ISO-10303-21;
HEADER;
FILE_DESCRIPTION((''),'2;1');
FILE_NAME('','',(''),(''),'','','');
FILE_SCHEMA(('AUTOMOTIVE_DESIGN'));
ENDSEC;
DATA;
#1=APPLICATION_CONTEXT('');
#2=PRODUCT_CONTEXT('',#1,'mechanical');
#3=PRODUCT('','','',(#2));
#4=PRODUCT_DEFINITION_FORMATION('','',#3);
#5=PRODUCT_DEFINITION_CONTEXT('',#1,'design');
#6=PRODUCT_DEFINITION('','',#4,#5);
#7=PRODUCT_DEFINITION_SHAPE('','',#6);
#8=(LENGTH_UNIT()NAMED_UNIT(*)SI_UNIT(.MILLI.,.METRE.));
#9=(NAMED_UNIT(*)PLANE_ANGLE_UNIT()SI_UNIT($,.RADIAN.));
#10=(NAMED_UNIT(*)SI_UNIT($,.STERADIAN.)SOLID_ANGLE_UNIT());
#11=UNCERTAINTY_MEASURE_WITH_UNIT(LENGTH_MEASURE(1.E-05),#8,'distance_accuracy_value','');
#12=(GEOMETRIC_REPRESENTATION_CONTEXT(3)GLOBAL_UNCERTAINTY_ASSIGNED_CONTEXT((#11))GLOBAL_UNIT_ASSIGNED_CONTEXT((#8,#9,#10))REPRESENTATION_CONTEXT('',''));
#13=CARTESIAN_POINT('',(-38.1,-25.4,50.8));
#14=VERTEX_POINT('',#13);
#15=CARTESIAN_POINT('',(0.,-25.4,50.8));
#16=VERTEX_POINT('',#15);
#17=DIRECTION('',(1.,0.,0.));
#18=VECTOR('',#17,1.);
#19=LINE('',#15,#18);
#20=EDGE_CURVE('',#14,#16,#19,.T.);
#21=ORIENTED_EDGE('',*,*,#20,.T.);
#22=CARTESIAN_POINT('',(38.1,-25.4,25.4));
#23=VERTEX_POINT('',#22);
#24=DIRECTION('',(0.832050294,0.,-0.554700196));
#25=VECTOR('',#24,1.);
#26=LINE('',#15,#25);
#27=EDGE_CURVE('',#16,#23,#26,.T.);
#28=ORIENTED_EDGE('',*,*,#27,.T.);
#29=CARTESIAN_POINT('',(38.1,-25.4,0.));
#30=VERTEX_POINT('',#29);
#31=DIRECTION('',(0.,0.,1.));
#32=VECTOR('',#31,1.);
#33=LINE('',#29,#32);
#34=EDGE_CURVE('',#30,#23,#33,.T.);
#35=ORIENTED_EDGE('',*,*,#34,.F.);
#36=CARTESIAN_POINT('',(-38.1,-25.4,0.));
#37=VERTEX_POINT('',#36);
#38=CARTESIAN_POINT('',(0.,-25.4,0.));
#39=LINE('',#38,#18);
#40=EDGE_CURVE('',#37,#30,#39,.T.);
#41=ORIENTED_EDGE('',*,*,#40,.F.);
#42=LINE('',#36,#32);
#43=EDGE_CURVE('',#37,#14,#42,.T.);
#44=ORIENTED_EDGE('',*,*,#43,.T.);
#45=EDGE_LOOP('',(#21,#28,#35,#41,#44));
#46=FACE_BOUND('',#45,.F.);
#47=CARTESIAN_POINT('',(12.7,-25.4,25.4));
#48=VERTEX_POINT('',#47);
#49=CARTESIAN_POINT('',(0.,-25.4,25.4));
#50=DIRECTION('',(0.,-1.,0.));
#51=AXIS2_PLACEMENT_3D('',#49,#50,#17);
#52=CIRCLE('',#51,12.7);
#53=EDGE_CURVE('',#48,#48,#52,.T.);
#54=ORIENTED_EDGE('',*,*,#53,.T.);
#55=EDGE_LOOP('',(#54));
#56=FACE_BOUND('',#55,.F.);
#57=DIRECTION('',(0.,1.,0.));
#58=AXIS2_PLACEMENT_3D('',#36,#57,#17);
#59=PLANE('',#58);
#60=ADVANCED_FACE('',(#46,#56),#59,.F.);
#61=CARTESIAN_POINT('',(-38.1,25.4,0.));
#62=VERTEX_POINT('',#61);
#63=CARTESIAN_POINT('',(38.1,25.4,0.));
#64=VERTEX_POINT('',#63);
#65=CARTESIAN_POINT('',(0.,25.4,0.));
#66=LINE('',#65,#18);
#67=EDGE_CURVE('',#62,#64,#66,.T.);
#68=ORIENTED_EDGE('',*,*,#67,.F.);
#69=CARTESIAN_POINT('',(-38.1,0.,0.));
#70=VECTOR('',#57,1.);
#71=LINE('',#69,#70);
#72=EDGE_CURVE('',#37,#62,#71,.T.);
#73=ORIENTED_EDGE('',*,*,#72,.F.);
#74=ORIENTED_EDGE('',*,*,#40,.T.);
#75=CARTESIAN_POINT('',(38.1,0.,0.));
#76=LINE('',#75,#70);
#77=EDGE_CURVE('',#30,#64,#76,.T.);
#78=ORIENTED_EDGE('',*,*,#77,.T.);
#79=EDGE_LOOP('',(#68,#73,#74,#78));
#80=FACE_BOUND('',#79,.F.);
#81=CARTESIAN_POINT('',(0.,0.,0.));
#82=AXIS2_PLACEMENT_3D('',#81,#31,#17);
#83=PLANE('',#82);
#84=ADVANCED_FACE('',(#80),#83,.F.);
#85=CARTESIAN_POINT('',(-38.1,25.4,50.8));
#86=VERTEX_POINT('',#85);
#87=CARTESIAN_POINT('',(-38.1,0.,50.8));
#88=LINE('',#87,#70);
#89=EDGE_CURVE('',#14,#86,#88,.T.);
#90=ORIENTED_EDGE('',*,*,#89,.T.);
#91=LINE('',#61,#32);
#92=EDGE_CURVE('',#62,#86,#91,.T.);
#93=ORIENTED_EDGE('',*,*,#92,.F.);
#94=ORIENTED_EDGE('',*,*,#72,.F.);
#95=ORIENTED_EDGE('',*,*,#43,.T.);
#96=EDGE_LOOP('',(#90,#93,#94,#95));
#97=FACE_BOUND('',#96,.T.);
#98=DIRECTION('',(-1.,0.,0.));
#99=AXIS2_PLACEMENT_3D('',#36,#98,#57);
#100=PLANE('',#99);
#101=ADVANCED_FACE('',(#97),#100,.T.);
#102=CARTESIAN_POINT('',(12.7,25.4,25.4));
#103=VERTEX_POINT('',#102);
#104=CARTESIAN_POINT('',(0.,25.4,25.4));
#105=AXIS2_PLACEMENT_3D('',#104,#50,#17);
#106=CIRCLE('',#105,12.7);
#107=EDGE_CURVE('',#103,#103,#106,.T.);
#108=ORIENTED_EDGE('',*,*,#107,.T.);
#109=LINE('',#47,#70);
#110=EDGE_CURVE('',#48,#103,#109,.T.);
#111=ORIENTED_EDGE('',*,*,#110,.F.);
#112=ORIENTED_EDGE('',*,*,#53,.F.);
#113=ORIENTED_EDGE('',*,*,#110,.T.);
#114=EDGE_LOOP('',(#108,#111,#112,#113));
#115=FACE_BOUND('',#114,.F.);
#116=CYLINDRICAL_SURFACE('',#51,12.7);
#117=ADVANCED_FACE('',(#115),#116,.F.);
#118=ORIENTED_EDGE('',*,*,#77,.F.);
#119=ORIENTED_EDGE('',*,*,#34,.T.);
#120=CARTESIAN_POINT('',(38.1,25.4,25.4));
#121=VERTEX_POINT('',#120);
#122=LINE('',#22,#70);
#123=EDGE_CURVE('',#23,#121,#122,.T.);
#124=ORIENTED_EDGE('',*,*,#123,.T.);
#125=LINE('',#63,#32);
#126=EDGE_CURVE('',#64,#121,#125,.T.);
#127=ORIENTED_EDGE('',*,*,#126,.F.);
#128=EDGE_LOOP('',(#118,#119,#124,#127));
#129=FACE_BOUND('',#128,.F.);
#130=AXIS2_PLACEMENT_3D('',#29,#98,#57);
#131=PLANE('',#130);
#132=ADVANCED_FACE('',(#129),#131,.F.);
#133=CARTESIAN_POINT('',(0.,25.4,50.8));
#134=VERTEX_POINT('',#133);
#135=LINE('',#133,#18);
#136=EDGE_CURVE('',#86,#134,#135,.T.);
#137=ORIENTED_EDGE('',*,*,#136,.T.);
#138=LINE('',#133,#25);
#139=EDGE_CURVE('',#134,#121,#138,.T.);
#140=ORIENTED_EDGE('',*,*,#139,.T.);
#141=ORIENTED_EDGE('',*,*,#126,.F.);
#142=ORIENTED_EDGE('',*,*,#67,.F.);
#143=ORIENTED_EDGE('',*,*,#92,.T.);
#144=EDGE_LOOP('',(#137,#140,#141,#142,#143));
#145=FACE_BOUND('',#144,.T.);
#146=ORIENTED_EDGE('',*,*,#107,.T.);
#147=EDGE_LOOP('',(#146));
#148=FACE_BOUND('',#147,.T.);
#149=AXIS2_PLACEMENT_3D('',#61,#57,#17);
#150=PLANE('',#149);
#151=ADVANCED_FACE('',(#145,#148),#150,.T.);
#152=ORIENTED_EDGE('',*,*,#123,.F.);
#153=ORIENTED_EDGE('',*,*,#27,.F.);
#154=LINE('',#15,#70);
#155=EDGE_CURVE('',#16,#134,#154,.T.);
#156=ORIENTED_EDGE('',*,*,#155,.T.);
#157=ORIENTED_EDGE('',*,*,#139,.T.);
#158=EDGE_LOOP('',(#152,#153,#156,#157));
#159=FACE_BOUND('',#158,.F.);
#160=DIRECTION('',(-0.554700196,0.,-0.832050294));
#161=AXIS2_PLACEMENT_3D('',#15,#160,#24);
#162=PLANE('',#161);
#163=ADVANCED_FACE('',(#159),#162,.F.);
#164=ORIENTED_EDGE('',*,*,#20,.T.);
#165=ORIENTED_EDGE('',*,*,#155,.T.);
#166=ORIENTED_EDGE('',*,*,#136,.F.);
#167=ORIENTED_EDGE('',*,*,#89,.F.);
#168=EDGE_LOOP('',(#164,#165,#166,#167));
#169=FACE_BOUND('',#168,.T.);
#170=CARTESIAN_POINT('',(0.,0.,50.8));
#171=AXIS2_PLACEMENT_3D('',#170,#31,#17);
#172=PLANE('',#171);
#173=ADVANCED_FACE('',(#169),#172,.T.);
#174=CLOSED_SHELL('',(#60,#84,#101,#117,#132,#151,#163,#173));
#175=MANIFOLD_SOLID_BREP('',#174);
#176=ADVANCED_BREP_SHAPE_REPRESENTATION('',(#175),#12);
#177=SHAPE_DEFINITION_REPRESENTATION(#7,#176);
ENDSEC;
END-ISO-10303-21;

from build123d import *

# Parameters (mm, degrees)
F0_W     = 76.2
F0_H     = 50.8
F1_DEPTH = 50.8
F3_DEPTH = 50.8
F2_R     = 12.7
F4_DEPTH = 50.8


with BuildPart() as f1:
    # F0 (on Top) → F1 (new body)
    with BuildSketch(Plane.XY):
        Rectangle(F0_W, F0_H)
    extrude(amount=F1_DEPTH)

    # F2 (on face) → F3 (cut)
    with BuildSketch(Plane.XZ.offset(25.4)):
        Polygon((38.1, 50.8), (0, 50.8), (38.1, 25.4), align=None)
    extrude(amount=-F3_DEPTH, mode=Mode.SUBTRACT)

    # F2 (on face) → F4 (cut)
    with BuildSketch(Plane.XZ.offset(25.4)):
        with Locations((0, 25.4)):
            Circle(F2_R)
    extrude(amount=-F4_DEPTH, mode=Mode.SUBTRACT)


solid = f1.part
